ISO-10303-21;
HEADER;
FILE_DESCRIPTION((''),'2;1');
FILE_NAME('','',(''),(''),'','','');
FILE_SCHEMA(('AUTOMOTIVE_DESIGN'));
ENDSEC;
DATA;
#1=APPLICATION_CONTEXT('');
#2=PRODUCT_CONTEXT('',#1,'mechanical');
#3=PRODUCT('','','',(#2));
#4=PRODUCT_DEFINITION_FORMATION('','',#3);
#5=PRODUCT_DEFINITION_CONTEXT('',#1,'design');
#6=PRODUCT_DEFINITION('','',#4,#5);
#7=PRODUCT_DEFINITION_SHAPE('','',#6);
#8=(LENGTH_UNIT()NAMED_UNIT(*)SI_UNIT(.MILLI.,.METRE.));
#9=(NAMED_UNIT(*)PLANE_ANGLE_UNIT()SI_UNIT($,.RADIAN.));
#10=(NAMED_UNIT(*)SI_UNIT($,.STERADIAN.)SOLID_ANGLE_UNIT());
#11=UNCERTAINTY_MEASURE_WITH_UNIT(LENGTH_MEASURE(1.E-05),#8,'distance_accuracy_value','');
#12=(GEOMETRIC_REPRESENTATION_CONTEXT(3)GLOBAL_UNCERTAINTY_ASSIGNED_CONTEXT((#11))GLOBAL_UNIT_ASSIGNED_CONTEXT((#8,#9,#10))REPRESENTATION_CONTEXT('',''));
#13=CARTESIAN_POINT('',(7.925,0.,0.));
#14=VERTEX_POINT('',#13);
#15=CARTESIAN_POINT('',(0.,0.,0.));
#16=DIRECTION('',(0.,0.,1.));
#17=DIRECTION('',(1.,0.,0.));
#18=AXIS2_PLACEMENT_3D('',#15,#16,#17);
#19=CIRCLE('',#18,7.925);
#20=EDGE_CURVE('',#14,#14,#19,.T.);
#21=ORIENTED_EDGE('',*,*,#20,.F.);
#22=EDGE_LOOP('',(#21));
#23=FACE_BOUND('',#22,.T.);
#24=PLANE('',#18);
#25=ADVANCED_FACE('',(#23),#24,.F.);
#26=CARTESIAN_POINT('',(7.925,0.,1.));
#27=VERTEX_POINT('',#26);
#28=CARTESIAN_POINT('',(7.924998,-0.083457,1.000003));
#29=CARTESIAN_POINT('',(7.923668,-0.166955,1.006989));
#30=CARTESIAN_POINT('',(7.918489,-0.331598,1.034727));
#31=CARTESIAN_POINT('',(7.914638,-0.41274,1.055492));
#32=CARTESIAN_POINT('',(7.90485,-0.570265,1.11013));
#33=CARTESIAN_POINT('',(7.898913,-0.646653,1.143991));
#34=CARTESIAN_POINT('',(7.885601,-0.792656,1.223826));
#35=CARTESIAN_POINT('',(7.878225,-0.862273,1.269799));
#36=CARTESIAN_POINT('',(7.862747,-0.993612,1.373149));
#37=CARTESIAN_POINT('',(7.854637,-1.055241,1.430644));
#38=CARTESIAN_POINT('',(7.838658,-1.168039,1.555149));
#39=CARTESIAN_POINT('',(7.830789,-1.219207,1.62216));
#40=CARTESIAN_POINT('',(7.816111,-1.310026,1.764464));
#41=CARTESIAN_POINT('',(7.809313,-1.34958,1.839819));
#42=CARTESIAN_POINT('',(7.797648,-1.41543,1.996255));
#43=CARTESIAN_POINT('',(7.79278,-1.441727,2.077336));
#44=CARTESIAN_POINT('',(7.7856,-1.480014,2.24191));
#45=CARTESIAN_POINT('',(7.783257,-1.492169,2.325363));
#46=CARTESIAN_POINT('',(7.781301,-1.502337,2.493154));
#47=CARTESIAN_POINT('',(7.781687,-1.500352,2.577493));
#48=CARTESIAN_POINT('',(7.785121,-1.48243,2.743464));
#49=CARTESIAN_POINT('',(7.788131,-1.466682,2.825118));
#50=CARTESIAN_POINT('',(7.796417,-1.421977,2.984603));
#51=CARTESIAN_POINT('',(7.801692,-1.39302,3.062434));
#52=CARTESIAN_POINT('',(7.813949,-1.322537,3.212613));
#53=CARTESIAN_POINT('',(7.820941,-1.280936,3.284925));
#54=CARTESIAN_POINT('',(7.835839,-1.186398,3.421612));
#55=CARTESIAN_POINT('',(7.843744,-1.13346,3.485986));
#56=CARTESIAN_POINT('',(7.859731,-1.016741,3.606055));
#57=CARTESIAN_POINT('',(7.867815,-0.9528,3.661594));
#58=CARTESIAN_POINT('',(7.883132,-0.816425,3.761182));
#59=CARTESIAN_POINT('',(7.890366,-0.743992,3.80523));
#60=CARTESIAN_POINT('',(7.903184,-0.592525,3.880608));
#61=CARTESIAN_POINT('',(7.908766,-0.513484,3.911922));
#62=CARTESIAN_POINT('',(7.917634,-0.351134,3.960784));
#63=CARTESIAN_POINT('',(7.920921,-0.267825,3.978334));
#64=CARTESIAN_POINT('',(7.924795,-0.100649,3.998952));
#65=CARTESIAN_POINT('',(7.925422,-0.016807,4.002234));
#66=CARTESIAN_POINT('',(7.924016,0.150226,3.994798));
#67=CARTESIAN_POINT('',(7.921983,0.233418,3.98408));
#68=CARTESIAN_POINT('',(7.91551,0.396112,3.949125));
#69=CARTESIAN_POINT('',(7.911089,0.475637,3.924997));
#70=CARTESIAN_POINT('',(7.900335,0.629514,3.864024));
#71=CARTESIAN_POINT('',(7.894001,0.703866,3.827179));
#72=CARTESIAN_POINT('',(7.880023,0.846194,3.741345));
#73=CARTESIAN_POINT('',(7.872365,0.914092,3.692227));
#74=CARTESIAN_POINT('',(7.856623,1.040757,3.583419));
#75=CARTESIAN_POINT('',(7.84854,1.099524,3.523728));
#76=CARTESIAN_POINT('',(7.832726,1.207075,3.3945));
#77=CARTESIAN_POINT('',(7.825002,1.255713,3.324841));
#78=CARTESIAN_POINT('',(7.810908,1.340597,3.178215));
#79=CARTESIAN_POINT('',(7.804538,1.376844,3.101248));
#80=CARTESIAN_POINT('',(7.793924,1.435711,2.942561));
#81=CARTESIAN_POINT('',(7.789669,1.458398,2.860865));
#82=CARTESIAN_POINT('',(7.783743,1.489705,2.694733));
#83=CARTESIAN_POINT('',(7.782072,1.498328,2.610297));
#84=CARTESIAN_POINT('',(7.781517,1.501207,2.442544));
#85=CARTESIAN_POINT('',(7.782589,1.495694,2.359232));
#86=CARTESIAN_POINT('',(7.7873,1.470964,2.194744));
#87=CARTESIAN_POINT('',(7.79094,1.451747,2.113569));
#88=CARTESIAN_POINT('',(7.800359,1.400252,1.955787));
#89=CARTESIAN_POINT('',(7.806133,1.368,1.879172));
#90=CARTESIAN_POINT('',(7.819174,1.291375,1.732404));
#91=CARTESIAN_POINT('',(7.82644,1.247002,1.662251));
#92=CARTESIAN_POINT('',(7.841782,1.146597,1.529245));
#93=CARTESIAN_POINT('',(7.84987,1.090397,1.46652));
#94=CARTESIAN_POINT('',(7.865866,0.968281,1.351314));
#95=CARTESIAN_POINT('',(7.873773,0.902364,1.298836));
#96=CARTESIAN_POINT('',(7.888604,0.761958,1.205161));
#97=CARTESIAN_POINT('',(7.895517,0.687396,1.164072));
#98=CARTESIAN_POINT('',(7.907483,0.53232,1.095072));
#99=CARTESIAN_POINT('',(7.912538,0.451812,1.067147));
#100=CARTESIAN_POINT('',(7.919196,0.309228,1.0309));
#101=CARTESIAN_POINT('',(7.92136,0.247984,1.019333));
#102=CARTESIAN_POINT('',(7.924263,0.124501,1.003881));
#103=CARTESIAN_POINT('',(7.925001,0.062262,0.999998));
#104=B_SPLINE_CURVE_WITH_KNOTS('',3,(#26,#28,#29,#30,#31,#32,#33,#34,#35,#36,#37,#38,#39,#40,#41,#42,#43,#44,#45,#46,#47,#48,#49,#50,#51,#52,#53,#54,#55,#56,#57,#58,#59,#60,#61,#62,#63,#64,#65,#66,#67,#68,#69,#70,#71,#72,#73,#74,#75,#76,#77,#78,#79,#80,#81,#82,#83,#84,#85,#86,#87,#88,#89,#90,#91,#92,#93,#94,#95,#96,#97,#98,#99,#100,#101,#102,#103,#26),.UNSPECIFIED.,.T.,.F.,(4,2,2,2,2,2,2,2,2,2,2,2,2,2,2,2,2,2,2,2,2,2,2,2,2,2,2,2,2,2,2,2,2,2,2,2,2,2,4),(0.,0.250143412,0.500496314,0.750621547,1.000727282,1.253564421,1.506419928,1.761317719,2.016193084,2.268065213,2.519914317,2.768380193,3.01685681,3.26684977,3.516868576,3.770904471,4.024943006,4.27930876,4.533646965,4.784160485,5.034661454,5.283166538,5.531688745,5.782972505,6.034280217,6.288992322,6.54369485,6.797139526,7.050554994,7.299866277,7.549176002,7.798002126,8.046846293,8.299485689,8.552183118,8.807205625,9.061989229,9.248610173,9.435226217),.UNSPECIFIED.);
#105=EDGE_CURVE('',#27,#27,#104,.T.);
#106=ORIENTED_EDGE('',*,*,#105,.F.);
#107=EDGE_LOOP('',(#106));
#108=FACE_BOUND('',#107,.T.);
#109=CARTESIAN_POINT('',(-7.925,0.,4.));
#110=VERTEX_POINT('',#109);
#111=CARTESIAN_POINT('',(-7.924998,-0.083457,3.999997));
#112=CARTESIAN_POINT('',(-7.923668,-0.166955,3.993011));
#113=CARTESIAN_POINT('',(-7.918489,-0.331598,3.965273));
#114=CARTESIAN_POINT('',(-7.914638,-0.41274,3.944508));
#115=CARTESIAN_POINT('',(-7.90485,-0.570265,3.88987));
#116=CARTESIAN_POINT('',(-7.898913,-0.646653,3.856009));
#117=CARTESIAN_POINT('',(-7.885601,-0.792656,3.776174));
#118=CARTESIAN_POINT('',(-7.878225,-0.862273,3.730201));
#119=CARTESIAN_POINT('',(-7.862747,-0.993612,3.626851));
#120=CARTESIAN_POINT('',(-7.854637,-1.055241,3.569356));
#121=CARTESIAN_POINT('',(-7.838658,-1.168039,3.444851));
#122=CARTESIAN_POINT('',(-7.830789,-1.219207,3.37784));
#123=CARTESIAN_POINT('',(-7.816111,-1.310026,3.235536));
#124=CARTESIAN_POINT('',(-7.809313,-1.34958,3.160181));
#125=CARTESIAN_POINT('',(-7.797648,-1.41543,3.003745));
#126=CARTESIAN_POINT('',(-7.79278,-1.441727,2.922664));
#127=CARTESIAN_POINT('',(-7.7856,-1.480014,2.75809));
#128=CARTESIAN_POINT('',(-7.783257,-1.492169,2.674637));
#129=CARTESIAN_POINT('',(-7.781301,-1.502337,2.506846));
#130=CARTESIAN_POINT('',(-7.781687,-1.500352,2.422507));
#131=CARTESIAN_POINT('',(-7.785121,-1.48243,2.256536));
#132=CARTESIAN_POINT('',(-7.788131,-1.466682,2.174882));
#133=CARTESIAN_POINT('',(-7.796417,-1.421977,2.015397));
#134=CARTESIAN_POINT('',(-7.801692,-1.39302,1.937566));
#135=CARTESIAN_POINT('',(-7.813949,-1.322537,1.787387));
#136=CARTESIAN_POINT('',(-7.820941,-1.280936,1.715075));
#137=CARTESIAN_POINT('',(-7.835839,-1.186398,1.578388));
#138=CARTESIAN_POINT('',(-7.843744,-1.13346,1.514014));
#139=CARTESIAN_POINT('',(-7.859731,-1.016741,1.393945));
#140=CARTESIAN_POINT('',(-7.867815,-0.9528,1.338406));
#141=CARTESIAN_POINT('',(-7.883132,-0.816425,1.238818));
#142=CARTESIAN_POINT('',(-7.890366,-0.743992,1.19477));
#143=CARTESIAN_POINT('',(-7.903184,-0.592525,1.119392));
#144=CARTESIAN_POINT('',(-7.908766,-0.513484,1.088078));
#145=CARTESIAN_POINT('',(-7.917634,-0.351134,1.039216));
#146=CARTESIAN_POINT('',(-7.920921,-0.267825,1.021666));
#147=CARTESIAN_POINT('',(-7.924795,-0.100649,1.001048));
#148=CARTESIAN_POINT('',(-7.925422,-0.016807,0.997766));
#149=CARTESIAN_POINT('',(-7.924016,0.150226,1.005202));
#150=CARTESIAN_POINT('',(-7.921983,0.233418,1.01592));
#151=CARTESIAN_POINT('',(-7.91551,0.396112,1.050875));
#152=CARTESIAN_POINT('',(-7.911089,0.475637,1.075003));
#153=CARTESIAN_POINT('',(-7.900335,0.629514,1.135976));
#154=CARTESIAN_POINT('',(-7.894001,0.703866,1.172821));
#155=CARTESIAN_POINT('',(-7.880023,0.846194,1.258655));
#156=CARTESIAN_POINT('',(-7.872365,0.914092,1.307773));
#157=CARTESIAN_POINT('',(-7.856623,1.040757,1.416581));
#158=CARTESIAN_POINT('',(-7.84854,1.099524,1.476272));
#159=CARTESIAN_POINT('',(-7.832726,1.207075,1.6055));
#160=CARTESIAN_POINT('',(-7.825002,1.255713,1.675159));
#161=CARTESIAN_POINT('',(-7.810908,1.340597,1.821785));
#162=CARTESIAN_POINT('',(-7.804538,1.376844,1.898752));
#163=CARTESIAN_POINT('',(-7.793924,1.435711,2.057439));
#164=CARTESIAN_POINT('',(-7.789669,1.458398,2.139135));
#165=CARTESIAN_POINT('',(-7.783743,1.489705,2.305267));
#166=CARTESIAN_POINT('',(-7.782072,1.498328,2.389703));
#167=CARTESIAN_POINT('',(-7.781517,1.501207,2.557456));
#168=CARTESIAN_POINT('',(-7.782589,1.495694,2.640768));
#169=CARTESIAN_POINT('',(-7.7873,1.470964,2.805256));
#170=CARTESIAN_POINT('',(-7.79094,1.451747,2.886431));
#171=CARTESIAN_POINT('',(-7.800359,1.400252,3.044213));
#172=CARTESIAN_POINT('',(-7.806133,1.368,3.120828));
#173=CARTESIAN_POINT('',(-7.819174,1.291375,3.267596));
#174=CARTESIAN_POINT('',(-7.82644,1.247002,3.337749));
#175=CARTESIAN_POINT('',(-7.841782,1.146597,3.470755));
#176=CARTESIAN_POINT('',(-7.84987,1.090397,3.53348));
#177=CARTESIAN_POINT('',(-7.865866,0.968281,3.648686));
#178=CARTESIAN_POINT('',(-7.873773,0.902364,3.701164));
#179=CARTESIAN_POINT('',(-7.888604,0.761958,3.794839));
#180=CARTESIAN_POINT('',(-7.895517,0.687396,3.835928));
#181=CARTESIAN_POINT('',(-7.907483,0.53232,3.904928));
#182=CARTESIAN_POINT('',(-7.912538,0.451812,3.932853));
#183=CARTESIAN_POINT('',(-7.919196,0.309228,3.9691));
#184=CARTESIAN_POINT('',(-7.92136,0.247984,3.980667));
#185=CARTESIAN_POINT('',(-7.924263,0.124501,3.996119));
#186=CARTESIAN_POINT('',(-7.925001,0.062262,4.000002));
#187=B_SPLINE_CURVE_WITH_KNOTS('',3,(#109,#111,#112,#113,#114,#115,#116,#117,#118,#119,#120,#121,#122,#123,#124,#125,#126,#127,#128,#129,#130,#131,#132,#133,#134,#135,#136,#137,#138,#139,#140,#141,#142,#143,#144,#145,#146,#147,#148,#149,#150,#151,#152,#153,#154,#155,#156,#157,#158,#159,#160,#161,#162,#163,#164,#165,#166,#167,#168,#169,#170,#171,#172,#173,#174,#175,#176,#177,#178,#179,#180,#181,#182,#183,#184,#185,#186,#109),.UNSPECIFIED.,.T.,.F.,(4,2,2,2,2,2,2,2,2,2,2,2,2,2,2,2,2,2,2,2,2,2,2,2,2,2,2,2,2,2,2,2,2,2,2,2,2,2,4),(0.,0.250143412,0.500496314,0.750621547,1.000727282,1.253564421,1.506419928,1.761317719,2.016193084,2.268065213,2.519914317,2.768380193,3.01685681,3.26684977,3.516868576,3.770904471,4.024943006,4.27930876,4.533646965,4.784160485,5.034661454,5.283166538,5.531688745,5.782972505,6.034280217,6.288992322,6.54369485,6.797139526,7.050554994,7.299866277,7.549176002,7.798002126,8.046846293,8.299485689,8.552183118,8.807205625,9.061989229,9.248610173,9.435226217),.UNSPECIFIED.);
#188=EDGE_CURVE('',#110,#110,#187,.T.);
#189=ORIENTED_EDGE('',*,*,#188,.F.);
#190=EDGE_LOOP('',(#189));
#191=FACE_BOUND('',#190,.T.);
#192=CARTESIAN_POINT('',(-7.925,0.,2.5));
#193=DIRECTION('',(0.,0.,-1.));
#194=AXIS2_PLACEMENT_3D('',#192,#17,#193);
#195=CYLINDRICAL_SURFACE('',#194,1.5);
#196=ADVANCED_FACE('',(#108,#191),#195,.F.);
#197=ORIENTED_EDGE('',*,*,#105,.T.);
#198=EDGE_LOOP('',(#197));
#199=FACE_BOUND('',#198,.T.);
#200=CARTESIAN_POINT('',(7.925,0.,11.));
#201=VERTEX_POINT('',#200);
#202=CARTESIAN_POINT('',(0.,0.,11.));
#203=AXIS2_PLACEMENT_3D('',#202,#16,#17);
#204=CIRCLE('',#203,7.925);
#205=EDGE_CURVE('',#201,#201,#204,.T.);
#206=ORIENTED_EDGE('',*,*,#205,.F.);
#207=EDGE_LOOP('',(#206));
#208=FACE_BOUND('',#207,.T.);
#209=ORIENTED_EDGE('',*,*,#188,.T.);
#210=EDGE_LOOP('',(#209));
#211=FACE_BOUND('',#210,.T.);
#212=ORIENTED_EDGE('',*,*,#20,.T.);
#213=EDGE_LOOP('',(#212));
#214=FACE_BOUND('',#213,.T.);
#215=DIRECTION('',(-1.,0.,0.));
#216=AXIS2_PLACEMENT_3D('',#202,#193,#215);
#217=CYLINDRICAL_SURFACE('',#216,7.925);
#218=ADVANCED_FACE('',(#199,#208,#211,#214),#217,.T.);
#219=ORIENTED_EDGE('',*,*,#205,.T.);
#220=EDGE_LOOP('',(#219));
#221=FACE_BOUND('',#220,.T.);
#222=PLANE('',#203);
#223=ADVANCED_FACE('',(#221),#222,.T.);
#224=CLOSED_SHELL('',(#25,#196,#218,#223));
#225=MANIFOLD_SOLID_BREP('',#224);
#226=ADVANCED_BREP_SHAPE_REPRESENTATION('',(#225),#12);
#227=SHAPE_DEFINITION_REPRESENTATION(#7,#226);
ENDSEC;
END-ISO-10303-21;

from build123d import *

# Parameters (mm, degrees)
SKETCH1_R               = 7.925
EXTRUDE1_DEPTH          = 11
CUT_EXTRUDE1_DEPTH      = 16.70386099
CUT_EXTRUDE1_DEPTH_BACK = 16.70386099
SKETCH2_R               = 1.5


with BuildPart() as part:
    # Sketch1 → Extrude1 (new body)
    with BuildSketch(Plane.XY):
        Circle(SKETCH1_R)
    extrude(amount=EXTRUDE1_DEPTH)

    # Sketch2 → Cut-Extrude1 (cut, two sides: drawn at the far end of the back side and taken through both)
    with BuildSketch(Plane(origin=(0, 0, 0), x_dir=(0, 0, -1), z_dir=(1, 0, 0)).offset(-CUT_EXTRUDE1_DEPTH_BACK)):
        with Locations(Location((-2.5, 0, 0), (0, 0, 180))):
            Circle(SKETCH2_R)
    extrude(amount=CUT_EXTRUDE1_DEPTH + CUT_EXTRUDE1_DEPTH_BACK, mode=Mode.SUBTRACT)


solid = part.part
